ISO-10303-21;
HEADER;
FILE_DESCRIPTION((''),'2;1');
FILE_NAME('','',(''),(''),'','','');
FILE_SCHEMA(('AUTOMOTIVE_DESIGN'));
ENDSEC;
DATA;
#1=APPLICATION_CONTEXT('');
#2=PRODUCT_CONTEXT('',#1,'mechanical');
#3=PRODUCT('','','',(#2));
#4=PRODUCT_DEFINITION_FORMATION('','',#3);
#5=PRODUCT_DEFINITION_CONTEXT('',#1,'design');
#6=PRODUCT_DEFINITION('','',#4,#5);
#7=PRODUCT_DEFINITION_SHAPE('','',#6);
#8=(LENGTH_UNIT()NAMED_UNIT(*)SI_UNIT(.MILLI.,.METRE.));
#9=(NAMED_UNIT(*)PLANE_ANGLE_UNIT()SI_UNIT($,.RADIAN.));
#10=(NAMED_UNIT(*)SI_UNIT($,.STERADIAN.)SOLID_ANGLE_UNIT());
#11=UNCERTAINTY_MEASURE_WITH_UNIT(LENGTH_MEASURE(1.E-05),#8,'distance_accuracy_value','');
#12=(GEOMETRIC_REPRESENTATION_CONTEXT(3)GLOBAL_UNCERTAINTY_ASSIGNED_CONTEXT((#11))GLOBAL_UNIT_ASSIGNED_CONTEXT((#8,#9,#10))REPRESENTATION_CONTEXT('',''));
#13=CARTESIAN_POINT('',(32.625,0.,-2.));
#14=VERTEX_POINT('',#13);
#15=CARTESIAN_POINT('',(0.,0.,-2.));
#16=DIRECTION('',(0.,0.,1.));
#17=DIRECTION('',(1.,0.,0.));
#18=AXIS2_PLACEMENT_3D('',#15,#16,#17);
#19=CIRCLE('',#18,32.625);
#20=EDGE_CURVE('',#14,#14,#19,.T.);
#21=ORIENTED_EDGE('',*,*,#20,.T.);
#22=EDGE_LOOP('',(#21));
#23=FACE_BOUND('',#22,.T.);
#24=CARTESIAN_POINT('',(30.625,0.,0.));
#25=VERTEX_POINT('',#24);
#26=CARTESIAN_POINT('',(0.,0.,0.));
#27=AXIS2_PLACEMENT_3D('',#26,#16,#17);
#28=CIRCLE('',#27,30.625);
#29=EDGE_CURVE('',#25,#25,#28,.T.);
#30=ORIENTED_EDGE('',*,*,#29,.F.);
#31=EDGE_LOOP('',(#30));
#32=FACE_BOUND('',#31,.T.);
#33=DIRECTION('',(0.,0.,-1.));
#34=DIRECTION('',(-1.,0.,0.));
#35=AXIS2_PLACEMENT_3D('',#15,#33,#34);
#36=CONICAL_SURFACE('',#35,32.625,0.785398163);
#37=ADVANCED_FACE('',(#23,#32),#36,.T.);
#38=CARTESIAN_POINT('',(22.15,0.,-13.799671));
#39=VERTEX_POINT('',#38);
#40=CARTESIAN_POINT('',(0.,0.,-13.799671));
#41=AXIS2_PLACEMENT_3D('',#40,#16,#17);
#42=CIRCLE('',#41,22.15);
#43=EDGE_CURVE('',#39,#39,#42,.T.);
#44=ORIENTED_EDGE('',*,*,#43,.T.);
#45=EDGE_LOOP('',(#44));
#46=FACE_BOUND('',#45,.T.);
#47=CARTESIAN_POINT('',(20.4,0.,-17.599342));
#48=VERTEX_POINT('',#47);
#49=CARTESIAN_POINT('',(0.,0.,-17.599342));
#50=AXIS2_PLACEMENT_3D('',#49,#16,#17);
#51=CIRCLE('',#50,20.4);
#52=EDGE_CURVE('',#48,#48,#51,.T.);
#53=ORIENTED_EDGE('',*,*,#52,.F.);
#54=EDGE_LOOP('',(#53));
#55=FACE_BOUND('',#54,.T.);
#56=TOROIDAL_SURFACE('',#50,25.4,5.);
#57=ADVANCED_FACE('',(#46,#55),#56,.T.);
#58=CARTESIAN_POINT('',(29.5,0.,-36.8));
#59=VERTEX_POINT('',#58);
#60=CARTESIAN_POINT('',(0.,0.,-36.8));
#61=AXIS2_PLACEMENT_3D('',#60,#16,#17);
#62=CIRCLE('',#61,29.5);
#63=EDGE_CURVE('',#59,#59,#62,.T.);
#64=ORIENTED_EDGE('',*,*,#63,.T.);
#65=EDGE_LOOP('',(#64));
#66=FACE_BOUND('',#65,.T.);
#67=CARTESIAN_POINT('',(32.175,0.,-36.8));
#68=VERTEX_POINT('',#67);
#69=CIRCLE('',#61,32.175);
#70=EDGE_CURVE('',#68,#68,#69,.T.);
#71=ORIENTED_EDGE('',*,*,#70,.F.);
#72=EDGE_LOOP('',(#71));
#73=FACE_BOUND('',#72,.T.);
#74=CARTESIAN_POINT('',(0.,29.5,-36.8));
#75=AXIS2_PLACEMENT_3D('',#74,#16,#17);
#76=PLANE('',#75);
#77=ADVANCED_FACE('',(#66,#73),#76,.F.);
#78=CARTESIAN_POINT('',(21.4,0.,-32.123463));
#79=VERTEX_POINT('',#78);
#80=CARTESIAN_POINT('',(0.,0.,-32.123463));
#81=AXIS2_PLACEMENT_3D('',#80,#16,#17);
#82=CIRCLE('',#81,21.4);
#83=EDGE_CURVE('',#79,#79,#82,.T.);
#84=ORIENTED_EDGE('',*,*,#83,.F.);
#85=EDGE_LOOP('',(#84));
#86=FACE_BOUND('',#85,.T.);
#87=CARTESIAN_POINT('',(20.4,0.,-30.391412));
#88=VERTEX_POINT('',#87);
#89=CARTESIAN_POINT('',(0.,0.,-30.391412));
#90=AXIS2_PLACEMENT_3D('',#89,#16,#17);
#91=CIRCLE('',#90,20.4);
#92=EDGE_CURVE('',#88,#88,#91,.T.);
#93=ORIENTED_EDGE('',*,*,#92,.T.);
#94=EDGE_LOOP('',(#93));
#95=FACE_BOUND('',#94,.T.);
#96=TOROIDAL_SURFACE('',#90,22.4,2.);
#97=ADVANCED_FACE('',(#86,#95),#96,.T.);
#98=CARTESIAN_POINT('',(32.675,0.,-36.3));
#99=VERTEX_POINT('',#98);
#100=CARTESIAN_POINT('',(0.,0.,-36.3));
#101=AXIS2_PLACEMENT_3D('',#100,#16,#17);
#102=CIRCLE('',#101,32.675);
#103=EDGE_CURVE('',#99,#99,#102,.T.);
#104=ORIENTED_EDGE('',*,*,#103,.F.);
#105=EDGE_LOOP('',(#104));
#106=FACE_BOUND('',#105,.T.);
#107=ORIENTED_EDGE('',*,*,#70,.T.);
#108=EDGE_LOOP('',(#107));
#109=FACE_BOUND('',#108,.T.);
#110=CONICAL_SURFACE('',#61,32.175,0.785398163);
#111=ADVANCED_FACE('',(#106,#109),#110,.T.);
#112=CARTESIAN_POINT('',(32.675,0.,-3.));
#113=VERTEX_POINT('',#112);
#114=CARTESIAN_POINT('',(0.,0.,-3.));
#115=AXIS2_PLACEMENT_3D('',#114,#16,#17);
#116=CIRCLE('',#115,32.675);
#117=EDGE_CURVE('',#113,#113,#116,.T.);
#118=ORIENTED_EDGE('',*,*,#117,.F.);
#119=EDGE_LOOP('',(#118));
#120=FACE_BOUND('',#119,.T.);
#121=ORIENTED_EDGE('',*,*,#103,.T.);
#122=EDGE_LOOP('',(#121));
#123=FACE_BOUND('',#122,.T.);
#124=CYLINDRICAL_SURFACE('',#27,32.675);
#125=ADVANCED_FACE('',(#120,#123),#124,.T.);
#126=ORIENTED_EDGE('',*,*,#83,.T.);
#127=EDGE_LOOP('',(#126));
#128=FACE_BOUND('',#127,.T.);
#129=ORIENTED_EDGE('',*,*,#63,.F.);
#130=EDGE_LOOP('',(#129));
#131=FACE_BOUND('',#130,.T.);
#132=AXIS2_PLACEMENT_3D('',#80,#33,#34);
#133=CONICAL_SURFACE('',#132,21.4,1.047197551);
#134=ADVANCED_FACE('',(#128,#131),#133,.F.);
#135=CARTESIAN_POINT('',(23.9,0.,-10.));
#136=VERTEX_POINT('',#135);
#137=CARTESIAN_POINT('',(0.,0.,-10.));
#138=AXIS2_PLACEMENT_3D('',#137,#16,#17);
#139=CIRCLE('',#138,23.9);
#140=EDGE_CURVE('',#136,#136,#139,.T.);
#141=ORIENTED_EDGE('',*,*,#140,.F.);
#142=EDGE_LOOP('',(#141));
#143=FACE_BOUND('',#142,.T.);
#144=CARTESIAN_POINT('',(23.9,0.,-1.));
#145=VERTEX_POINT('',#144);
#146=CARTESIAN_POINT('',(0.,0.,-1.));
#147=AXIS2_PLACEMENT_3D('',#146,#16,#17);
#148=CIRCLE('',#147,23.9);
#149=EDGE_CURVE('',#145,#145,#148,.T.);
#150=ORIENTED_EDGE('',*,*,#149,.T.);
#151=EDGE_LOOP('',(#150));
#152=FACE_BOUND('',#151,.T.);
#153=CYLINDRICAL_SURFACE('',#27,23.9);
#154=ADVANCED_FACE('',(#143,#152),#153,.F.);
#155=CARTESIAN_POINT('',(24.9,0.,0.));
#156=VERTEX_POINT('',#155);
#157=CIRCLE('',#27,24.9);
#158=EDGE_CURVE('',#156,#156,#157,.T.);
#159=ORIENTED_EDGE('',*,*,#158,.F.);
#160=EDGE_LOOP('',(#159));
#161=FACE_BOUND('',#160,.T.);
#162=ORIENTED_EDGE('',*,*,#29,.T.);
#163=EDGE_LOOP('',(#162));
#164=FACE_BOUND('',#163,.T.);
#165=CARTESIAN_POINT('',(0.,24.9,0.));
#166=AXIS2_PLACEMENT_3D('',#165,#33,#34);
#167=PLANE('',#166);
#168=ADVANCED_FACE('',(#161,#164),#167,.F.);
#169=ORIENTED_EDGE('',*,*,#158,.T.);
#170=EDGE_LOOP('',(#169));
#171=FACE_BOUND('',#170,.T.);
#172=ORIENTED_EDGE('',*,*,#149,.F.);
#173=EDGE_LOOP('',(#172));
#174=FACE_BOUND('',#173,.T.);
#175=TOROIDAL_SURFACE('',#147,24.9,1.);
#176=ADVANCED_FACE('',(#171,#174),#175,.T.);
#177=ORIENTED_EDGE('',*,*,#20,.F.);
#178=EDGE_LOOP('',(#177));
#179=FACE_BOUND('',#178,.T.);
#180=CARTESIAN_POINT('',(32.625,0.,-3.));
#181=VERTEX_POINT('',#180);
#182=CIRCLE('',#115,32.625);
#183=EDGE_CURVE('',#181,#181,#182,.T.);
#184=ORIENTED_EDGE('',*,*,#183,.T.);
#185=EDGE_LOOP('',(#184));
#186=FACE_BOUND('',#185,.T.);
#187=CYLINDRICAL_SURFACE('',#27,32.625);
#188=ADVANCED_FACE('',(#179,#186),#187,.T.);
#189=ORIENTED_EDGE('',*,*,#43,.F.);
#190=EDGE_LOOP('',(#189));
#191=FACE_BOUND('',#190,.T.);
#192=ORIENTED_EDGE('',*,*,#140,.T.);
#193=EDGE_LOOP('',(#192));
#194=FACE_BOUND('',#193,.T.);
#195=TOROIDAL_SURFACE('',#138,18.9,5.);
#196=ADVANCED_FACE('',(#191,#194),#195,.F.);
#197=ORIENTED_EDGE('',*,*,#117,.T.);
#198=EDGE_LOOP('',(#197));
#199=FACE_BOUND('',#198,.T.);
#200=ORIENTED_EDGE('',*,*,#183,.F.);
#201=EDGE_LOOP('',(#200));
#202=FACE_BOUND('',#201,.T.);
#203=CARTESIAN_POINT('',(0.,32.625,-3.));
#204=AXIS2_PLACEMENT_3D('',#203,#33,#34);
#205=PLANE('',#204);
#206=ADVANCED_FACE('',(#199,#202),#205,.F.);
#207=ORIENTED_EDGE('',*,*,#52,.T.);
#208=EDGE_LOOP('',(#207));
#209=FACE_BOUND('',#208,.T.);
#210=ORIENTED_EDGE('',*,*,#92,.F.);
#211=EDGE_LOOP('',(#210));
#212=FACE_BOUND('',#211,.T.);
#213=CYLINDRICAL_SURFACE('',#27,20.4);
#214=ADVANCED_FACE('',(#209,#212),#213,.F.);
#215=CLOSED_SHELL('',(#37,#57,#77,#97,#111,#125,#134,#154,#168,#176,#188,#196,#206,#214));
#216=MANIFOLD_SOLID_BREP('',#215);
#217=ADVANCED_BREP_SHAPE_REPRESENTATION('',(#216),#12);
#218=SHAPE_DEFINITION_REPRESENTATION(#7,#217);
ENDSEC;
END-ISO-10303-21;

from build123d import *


with BuildPart() as part:
    # Sketch1 → Revolve1 (revolve)
    with BuildSketch(Plane(origin=(0, 0, 0), x_dir=(0, 0, -1), z_dir=(1, 0, 0)), mode=Mode.PRIVATE) as revolve1_sk:
        with BuildLine():
            Line((2, 32.625), (3, 32.625))
            Line((3, 32.625), (3, 32.675))
            Line((3, 32.675), (36.3, 32.675))
            Line((36.3, 32.675), (36.8, 32.175))
            Line((36.8, 32.175), (36.8, 29.5))
            Line((36.8, 29.5), (32.12346282, 21.4))
            ThreePointArc((32.12346282, 21.4), (31.391412012, 20.667949192), (30.391412012, 20.4))
            Line((30.391412012, 20.4), (17.599342077, 20.4))
            ThreePointArc((17.599342077, 20.4), (15.50769201, 20.858524469), (13.799671038, 22.15))
            ThreePointArc((13.799671038, 22.15), (12.091650066, 23.441475531), (10, 23.9))
            Line((10, 23.9), (1, 23.9))
            ThreePointArc((1, 23.9), (0.292893219, 24.192893219), (0, 24.9))
            Line((0, 24.9), (0, 30.625))
            Line((0, 30.625), (2, 32.625))
        make_face()
    revolve(revolve1_sk.sketch.rotate(Axis((0, 0, 0), (0, 0, -1)), 90), axis=Axis((0, 0, 0), (0, 0, -1)))


solid = part.part
